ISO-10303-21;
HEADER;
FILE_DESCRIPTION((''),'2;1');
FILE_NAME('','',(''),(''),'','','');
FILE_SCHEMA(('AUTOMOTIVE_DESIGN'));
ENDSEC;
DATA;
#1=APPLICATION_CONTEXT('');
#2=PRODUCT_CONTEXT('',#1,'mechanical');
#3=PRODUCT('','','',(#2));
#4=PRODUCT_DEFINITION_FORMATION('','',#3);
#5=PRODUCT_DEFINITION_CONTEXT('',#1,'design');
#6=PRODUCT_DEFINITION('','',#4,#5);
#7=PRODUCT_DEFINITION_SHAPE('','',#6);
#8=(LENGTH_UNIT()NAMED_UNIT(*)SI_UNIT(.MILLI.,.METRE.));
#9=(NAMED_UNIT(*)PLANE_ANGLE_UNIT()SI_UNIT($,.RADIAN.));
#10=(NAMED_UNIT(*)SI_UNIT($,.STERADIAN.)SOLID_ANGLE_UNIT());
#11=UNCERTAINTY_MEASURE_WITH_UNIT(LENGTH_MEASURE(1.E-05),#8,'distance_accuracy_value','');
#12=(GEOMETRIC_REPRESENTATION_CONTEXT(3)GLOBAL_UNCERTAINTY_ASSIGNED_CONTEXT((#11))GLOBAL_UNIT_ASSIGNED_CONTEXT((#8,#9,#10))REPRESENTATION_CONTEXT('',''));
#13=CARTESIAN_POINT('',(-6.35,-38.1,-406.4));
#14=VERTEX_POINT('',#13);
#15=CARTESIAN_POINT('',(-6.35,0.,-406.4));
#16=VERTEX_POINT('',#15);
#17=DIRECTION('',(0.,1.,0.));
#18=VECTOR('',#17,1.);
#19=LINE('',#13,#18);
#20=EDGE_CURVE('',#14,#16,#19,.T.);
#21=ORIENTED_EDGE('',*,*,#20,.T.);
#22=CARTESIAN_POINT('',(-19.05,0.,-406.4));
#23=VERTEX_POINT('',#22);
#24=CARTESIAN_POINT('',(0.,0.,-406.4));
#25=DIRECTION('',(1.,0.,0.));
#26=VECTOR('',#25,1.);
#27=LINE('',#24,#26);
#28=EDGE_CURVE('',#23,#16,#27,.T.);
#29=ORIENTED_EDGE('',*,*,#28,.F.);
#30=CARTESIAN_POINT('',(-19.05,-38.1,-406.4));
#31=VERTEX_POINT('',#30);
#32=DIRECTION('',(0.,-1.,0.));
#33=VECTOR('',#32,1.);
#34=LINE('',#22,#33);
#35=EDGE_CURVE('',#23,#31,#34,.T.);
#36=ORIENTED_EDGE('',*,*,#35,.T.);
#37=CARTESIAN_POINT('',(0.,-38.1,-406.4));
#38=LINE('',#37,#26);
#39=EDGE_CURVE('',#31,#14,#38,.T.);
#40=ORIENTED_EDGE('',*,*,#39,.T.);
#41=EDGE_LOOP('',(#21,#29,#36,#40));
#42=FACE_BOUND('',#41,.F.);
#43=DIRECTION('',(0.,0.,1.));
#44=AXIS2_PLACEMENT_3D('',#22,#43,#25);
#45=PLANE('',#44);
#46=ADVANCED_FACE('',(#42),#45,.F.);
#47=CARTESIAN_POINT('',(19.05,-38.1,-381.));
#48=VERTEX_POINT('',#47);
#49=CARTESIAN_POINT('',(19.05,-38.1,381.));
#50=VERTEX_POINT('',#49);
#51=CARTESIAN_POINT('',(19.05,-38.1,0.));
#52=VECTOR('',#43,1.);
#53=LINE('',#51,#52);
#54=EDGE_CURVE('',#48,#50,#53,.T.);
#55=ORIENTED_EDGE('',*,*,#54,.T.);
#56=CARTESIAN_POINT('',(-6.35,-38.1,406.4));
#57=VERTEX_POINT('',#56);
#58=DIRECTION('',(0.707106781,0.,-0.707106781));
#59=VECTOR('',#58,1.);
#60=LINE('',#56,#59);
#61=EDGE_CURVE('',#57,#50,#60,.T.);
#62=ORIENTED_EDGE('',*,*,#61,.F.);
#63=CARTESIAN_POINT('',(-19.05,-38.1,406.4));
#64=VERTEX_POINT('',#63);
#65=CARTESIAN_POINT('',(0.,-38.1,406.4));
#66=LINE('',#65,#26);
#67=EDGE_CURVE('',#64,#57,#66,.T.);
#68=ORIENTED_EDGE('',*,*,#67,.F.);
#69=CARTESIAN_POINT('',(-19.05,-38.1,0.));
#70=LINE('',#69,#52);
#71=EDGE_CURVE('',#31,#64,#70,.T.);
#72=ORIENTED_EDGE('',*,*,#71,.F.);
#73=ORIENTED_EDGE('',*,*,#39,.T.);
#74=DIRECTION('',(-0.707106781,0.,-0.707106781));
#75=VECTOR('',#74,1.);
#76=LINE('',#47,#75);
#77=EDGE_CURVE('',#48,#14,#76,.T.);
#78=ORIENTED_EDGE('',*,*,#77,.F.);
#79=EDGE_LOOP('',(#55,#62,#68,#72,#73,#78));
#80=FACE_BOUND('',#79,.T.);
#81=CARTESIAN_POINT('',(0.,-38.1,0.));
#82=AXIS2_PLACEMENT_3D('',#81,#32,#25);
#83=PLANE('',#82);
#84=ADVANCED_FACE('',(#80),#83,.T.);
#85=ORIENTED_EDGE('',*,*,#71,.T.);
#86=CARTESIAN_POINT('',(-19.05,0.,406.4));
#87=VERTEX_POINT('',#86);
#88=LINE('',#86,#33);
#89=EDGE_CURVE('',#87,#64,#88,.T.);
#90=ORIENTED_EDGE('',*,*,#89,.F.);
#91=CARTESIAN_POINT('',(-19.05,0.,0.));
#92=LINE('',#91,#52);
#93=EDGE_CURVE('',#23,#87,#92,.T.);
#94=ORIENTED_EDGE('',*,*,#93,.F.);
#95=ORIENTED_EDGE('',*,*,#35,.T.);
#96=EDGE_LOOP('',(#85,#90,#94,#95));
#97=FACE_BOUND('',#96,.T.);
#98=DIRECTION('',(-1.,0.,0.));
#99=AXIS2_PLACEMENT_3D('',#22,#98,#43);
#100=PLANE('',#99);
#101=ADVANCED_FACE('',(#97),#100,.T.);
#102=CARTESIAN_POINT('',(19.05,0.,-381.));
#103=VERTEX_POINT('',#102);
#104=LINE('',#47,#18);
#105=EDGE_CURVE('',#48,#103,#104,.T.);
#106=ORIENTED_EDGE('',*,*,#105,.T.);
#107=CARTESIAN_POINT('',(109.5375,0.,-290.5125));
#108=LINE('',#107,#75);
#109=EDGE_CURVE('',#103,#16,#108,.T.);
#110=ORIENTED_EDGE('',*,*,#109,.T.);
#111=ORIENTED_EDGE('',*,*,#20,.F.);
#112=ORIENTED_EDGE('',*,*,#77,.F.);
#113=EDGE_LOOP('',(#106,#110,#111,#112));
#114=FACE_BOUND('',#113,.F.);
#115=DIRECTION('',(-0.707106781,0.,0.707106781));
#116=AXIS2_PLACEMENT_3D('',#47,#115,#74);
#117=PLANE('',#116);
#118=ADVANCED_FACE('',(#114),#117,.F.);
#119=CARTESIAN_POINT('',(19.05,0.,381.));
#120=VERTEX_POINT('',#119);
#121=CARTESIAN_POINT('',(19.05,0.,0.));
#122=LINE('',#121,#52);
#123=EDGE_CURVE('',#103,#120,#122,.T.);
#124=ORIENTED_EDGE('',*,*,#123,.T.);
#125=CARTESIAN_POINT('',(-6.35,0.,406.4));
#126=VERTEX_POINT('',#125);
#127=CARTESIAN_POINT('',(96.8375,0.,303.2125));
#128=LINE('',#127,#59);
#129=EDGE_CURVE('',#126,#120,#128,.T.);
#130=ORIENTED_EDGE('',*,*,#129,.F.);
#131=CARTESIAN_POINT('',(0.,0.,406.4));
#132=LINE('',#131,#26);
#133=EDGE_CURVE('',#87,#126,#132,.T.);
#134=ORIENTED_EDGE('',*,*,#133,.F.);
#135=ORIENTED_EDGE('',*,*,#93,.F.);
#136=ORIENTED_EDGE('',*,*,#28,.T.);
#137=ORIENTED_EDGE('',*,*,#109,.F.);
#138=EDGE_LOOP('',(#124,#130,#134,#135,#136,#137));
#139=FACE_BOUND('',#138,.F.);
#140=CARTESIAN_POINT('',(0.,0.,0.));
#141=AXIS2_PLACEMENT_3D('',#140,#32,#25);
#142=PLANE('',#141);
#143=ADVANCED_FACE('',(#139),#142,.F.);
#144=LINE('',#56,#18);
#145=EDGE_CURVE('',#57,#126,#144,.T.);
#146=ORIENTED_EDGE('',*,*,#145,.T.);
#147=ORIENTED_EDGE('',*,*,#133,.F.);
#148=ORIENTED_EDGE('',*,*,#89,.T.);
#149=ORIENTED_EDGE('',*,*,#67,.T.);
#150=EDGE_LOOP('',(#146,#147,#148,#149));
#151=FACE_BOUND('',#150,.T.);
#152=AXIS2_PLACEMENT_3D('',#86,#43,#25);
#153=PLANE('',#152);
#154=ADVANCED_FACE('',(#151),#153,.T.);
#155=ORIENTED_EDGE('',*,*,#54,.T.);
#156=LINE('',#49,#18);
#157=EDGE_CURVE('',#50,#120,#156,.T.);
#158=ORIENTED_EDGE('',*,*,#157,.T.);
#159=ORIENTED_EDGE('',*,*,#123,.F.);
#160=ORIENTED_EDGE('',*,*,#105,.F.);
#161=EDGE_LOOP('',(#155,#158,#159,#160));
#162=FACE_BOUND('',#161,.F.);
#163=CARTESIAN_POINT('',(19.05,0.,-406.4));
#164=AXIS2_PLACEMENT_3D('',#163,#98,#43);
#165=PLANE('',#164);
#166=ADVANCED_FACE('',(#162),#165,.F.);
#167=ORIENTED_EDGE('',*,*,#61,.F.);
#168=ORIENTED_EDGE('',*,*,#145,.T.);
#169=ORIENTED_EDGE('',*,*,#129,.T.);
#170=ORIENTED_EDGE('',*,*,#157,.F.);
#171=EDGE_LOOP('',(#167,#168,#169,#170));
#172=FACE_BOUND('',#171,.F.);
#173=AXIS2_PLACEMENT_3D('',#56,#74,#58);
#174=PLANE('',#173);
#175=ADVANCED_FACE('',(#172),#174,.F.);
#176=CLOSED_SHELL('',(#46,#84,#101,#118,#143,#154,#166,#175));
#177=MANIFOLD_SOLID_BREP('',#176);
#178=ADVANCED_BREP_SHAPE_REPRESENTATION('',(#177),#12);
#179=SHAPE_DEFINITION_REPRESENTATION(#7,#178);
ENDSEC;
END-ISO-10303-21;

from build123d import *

# Parameters (mm, degrees)
F0_W     = 38.1
F0_H     = 812.8
F1_DEPTH = 38.1
F3_DEPTH = 38.101


with BuildPart() as f1:
    # F0 (on Front) → F1 (new body)
    with BuildSketch(Plane.XZ):
        Rectangle(F0_W, F0_H)
    extrude(amount=F1_DEPTH)

    # F2 (on face) → F3 (cut, through all)
    with BuildSketch(Plane.XZ.offset(38.1)):
        Polygon((19.05, -406.4), (19.05, -381), (-6.35, -406.4), align=None)
        Polygon((19.05, 406.4), (-6.35, 406.4), (19.05, 381), align=None)
    extrude(amount=-F3_DEPTH, mode=Mode.SUBTRACT)


solid = f1.part
